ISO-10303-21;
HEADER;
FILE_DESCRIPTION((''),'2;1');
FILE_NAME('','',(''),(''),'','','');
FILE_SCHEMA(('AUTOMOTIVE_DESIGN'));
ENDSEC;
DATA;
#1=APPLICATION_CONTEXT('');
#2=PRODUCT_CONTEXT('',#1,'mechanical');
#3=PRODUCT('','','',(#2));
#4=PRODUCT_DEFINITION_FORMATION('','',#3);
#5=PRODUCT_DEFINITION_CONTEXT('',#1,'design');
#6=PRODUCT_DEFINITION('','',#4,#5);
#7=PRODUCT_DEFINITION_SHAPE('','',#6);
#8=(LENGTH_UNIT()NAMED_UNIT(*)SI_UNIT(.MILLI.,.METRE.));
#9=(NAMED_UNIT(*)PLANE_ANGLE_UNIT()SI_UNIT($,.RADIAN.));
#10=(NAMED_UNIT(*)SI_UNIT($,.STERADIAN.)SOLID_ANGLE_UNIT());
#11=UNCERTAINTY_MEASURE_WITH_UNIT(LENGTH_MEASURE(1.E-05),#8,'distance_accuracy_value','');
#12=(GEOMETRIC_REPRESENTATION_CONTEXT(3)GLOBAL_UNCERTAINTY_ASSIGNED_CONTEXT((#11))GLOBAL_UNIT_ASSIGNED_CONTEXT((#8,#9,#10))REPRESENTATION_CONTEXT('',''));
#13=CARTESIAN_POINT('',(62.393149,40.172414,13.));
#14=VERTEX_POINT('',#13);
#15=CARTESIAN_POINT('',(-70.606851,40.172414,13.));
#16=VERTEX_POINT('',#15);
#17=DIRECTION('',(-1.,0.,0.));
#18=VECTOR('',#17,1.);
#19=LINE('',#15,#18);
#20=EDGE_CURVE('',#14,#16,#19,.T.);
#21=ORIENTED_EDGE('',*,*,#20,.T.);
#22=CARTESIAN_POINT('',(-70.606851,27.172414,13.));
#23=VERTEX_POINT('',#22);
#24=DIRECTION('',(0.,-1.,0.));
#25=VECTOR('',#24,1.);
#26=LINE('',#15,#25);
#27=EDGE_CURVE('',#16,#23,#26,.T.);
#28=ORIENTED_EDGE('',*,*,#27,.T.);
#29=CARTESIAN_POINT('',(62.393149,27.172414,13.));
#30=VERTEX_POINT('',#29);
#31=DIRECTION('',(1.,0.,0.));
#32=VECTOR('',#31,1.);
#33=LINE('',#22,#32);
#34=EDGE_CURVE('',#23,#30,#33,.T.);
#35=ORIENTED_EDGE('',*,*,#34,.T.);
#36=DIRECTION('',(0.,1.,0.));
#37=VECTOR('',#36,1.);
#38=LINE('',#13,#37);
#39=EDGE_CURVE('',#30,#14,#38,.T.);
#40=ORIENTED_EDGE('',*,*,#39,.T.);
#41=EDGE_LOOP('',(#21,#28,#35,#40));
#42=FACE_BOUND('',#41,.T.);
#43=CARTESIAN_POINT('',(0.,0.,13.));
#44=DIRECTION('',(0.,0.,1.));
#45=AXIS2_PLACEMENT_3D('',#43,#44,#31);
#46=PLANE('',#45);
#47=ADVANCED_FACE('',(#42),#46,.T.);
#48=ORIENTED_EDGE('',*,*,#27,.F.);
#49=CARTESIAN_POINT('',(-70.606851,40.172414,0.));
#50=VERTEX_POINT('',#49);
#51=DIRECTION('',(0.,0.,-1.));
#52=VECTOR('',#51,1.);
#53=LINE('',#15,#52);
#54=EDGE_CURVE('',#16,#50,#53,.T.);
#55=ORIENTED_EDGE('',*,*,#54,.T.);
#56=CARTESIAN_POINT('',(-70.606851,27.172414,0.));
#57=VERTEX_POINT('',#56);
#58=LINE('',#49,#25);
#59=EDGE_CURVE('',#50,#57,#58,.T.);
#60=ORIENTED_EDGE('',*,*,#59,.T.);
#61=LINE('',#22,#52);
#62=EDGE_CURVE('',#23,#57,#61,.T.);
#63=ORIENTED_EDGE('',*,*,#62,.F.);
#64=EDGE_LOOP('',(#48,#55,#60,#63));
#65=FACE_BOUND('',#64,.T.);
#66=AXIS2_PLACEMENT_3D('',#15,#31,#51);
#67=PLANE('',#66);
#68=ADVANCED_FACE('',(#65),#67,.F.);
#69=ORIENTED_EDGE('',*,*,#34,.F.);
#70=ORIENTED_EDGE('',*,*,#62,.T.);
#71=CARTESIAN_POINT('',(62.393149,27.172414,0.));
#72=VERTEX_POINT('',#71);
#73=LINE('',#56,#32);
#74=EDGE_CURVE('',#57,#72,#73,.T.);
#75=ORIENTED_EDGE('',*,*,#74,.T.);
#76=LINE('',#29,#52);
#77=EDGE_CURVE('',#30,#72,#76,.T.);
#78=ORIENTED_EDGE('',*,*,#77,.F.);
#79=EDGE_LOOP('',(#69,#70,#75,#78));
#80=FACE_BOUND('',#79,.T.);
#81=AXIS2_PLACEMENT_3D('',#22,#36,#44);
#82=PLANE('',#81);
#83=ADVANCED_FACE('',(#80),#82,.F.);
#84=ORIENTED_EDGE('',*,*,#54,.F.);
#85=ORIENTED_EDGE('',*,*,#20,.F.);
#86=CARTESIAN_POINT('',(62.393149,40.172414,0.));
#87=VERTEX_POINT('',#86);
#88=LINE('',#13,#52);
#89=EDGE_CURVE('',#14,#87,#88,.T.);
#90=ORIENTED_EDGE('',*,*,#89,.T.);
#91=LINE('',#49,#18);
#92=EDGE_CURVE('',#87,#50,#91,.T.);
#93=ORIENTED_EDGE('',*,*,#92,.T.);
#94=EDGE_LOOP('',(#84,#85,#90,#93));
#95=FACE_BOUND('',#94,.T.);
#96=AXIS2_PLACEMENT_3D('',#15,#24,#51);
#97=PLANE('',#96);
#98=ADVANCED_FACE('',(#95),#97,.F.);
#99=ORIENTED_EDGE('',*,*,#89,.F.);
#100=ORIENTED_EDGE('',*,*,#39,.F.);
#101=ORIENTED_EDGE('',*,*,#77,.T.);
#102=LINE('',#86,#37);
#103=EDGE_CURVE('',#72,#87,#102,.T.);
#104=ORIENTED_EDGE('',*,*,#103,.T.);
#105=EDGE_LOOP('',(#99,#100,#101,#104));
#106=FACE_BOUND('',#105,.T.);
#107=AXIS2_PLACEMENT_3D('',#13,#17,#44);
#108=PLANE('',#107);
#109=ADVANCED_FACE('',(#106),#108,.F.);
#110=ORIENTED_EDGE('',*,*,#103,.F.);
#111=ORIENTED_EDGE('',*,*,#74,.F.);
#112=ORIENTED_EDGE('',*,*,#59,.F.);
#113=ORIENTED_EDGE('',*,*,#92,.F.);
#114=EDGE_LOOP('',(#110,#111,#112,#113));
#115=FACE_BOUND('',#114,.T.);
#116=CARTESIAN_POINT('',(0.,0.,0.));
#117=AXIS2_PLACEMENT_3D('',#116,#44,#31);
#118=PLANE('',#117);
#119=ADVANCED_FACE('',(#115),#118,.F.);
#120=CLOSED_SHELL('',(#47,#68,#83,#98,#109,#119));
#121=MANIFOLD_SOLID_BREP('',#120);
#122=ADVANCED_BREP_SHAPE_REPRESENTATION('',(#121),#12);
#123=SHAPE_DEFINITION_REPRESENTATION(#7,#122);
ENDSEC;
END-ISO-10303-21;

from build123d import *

# Parameters (mm, degrees)
ESQUISSE1_W        = 133
ESQUISSE1_H        = 13
BOSS_EXTRU_1_DEPTH = 13


with BuildPart() as part:
    # Esquisse1 → Boss.-Extru.1 (new body)
    with BuildSketch(Plane.XY):
        with Locations((-4.10685118, 33.672413793)):
            Rectangle(ESQUISSE1_W, ESQUISSE1_H)
    extrude(amount=BOSS_EXTRU_1_DEPTH)


solid = part.part
